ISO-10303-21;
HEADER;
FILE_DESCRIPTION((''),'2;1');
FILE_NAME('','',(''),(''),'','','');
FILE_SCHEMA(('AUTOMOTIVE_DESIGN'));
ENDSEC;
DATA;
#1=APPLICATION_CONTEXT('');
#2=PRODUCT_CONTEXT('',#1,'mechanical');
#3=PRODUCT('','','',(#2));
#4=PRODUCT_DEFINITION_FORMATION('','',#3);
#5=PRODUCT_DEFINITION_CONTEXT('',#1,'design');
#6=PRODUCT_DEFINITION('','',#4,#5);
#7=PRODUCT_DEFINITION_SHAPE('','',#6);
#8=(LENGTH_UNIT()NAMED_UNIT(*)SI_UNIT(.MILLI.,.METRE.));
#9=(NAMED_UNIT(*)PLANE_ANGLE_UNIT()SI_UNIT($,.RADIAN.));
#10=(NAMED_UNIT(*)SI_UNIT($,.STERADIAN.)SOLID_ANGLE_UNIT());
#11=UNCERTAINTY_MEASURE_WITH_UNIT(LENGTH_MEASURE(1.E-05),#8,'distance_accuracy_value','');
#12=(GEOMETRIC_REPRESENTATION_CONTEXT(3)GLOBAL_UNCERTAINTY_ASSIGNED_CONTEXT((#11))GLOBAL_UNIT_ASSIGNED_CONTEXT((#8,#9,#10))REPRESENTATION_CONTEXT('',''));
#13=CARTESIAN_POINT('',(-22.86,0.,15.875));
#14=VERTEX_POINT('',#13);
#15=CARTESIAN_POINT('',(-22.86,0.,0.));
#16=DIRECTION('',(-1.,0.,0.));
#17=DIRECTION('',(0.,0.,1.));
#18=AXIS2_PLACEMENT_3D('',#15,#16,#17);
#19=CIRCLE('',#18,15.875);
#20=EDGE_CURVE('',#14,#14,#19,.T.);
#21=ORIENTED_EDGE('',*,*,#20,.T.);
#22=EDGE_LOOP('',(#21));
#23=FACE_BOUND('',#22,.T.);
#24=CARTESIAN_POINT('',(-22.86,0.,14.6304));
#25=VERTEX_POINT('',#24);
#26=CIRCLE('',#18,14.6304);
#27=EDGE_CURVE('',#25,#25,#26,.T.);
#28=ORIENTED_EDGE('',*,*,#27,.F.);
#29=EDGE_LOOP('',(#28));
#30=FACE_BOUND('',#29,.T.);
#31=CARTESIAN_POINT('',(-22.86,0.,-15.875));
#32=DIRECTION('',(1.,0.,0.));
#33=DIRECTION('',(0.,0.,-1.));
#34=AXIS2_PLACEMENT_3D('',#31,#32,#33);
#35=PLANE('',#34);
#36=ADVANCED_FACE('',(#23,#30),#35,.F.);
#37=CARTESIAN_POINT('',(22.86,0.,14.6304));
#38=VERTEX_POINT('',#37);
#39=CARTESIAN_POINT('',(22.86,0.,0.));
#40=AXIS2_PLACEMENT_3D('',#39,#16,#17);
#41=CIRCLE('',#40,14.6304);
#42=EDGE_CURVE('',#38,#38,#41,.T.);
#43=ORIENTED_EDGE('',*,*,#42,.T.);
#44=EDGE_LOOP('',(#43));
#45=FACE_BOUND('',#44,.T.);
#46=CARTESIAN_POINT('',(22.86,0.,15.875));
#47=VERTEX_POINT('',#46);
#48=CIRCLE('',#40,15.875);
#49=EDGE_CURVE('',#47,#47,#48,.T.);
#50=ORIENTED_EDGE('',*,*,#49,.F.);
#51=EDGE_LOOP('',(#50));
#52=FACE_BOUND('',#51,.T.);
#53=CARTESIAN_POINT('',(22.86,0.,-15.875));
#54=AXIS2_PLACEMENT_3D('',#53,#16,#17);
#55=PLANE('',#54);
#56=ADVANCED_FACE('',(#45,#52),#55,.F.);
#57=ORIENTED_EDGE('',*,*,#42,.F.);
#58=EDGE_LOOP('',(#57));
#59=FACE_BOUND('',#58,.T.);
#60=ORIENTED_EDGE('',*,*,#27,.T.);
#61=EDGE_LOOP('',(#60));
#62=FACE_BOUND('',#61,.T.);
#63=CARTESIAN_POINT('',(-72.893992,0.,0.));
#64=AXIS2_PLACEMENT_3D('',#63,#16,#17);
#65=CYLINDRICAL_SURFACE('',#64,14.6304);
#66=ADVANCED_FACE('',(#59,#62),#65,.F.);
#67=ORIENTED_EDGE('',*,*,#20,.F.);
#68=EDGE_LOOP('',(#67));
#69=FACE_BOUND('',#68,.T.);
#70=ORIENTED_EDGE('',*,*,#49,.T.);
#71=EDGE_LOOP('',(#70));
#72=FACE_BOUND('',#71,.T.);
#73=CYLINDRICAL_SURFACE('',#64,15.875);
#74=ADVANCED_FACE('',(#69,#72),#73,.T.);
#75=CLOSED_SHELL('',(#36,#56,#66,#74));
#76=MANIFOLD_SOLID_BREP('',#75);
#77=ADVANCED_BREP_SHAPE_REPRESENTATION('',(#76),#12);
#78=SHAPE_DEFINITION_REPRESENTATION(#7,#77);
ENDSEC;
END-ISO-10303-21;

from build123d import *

# Parameters (mm, degrees)
SKETCH1_W = 45.72
SKETCH1_H = 1.2446


with BuildPart() as part:
    # Sketch1 → Revolve1 (revolve)
    with BuildSketch(Plane(origin=(0, 0, 0), x_dir=(1, 0, 0), z_dir=(0, 1, 0)), mode=Mode.PRIVATE) as revolve1_sk:
        with Locations((0, 15.2527)):
            Rectangle(SKETCH1_W, SKETCH1_H)
    revolve(revolve1_sk.sketch.rotate(Axis((-72.893991897, 0, 0), (1, 0, 0)), 180), axis=Axis((-72.893991897, 0, 0), (1, 0, 0)))


solid = part.part
